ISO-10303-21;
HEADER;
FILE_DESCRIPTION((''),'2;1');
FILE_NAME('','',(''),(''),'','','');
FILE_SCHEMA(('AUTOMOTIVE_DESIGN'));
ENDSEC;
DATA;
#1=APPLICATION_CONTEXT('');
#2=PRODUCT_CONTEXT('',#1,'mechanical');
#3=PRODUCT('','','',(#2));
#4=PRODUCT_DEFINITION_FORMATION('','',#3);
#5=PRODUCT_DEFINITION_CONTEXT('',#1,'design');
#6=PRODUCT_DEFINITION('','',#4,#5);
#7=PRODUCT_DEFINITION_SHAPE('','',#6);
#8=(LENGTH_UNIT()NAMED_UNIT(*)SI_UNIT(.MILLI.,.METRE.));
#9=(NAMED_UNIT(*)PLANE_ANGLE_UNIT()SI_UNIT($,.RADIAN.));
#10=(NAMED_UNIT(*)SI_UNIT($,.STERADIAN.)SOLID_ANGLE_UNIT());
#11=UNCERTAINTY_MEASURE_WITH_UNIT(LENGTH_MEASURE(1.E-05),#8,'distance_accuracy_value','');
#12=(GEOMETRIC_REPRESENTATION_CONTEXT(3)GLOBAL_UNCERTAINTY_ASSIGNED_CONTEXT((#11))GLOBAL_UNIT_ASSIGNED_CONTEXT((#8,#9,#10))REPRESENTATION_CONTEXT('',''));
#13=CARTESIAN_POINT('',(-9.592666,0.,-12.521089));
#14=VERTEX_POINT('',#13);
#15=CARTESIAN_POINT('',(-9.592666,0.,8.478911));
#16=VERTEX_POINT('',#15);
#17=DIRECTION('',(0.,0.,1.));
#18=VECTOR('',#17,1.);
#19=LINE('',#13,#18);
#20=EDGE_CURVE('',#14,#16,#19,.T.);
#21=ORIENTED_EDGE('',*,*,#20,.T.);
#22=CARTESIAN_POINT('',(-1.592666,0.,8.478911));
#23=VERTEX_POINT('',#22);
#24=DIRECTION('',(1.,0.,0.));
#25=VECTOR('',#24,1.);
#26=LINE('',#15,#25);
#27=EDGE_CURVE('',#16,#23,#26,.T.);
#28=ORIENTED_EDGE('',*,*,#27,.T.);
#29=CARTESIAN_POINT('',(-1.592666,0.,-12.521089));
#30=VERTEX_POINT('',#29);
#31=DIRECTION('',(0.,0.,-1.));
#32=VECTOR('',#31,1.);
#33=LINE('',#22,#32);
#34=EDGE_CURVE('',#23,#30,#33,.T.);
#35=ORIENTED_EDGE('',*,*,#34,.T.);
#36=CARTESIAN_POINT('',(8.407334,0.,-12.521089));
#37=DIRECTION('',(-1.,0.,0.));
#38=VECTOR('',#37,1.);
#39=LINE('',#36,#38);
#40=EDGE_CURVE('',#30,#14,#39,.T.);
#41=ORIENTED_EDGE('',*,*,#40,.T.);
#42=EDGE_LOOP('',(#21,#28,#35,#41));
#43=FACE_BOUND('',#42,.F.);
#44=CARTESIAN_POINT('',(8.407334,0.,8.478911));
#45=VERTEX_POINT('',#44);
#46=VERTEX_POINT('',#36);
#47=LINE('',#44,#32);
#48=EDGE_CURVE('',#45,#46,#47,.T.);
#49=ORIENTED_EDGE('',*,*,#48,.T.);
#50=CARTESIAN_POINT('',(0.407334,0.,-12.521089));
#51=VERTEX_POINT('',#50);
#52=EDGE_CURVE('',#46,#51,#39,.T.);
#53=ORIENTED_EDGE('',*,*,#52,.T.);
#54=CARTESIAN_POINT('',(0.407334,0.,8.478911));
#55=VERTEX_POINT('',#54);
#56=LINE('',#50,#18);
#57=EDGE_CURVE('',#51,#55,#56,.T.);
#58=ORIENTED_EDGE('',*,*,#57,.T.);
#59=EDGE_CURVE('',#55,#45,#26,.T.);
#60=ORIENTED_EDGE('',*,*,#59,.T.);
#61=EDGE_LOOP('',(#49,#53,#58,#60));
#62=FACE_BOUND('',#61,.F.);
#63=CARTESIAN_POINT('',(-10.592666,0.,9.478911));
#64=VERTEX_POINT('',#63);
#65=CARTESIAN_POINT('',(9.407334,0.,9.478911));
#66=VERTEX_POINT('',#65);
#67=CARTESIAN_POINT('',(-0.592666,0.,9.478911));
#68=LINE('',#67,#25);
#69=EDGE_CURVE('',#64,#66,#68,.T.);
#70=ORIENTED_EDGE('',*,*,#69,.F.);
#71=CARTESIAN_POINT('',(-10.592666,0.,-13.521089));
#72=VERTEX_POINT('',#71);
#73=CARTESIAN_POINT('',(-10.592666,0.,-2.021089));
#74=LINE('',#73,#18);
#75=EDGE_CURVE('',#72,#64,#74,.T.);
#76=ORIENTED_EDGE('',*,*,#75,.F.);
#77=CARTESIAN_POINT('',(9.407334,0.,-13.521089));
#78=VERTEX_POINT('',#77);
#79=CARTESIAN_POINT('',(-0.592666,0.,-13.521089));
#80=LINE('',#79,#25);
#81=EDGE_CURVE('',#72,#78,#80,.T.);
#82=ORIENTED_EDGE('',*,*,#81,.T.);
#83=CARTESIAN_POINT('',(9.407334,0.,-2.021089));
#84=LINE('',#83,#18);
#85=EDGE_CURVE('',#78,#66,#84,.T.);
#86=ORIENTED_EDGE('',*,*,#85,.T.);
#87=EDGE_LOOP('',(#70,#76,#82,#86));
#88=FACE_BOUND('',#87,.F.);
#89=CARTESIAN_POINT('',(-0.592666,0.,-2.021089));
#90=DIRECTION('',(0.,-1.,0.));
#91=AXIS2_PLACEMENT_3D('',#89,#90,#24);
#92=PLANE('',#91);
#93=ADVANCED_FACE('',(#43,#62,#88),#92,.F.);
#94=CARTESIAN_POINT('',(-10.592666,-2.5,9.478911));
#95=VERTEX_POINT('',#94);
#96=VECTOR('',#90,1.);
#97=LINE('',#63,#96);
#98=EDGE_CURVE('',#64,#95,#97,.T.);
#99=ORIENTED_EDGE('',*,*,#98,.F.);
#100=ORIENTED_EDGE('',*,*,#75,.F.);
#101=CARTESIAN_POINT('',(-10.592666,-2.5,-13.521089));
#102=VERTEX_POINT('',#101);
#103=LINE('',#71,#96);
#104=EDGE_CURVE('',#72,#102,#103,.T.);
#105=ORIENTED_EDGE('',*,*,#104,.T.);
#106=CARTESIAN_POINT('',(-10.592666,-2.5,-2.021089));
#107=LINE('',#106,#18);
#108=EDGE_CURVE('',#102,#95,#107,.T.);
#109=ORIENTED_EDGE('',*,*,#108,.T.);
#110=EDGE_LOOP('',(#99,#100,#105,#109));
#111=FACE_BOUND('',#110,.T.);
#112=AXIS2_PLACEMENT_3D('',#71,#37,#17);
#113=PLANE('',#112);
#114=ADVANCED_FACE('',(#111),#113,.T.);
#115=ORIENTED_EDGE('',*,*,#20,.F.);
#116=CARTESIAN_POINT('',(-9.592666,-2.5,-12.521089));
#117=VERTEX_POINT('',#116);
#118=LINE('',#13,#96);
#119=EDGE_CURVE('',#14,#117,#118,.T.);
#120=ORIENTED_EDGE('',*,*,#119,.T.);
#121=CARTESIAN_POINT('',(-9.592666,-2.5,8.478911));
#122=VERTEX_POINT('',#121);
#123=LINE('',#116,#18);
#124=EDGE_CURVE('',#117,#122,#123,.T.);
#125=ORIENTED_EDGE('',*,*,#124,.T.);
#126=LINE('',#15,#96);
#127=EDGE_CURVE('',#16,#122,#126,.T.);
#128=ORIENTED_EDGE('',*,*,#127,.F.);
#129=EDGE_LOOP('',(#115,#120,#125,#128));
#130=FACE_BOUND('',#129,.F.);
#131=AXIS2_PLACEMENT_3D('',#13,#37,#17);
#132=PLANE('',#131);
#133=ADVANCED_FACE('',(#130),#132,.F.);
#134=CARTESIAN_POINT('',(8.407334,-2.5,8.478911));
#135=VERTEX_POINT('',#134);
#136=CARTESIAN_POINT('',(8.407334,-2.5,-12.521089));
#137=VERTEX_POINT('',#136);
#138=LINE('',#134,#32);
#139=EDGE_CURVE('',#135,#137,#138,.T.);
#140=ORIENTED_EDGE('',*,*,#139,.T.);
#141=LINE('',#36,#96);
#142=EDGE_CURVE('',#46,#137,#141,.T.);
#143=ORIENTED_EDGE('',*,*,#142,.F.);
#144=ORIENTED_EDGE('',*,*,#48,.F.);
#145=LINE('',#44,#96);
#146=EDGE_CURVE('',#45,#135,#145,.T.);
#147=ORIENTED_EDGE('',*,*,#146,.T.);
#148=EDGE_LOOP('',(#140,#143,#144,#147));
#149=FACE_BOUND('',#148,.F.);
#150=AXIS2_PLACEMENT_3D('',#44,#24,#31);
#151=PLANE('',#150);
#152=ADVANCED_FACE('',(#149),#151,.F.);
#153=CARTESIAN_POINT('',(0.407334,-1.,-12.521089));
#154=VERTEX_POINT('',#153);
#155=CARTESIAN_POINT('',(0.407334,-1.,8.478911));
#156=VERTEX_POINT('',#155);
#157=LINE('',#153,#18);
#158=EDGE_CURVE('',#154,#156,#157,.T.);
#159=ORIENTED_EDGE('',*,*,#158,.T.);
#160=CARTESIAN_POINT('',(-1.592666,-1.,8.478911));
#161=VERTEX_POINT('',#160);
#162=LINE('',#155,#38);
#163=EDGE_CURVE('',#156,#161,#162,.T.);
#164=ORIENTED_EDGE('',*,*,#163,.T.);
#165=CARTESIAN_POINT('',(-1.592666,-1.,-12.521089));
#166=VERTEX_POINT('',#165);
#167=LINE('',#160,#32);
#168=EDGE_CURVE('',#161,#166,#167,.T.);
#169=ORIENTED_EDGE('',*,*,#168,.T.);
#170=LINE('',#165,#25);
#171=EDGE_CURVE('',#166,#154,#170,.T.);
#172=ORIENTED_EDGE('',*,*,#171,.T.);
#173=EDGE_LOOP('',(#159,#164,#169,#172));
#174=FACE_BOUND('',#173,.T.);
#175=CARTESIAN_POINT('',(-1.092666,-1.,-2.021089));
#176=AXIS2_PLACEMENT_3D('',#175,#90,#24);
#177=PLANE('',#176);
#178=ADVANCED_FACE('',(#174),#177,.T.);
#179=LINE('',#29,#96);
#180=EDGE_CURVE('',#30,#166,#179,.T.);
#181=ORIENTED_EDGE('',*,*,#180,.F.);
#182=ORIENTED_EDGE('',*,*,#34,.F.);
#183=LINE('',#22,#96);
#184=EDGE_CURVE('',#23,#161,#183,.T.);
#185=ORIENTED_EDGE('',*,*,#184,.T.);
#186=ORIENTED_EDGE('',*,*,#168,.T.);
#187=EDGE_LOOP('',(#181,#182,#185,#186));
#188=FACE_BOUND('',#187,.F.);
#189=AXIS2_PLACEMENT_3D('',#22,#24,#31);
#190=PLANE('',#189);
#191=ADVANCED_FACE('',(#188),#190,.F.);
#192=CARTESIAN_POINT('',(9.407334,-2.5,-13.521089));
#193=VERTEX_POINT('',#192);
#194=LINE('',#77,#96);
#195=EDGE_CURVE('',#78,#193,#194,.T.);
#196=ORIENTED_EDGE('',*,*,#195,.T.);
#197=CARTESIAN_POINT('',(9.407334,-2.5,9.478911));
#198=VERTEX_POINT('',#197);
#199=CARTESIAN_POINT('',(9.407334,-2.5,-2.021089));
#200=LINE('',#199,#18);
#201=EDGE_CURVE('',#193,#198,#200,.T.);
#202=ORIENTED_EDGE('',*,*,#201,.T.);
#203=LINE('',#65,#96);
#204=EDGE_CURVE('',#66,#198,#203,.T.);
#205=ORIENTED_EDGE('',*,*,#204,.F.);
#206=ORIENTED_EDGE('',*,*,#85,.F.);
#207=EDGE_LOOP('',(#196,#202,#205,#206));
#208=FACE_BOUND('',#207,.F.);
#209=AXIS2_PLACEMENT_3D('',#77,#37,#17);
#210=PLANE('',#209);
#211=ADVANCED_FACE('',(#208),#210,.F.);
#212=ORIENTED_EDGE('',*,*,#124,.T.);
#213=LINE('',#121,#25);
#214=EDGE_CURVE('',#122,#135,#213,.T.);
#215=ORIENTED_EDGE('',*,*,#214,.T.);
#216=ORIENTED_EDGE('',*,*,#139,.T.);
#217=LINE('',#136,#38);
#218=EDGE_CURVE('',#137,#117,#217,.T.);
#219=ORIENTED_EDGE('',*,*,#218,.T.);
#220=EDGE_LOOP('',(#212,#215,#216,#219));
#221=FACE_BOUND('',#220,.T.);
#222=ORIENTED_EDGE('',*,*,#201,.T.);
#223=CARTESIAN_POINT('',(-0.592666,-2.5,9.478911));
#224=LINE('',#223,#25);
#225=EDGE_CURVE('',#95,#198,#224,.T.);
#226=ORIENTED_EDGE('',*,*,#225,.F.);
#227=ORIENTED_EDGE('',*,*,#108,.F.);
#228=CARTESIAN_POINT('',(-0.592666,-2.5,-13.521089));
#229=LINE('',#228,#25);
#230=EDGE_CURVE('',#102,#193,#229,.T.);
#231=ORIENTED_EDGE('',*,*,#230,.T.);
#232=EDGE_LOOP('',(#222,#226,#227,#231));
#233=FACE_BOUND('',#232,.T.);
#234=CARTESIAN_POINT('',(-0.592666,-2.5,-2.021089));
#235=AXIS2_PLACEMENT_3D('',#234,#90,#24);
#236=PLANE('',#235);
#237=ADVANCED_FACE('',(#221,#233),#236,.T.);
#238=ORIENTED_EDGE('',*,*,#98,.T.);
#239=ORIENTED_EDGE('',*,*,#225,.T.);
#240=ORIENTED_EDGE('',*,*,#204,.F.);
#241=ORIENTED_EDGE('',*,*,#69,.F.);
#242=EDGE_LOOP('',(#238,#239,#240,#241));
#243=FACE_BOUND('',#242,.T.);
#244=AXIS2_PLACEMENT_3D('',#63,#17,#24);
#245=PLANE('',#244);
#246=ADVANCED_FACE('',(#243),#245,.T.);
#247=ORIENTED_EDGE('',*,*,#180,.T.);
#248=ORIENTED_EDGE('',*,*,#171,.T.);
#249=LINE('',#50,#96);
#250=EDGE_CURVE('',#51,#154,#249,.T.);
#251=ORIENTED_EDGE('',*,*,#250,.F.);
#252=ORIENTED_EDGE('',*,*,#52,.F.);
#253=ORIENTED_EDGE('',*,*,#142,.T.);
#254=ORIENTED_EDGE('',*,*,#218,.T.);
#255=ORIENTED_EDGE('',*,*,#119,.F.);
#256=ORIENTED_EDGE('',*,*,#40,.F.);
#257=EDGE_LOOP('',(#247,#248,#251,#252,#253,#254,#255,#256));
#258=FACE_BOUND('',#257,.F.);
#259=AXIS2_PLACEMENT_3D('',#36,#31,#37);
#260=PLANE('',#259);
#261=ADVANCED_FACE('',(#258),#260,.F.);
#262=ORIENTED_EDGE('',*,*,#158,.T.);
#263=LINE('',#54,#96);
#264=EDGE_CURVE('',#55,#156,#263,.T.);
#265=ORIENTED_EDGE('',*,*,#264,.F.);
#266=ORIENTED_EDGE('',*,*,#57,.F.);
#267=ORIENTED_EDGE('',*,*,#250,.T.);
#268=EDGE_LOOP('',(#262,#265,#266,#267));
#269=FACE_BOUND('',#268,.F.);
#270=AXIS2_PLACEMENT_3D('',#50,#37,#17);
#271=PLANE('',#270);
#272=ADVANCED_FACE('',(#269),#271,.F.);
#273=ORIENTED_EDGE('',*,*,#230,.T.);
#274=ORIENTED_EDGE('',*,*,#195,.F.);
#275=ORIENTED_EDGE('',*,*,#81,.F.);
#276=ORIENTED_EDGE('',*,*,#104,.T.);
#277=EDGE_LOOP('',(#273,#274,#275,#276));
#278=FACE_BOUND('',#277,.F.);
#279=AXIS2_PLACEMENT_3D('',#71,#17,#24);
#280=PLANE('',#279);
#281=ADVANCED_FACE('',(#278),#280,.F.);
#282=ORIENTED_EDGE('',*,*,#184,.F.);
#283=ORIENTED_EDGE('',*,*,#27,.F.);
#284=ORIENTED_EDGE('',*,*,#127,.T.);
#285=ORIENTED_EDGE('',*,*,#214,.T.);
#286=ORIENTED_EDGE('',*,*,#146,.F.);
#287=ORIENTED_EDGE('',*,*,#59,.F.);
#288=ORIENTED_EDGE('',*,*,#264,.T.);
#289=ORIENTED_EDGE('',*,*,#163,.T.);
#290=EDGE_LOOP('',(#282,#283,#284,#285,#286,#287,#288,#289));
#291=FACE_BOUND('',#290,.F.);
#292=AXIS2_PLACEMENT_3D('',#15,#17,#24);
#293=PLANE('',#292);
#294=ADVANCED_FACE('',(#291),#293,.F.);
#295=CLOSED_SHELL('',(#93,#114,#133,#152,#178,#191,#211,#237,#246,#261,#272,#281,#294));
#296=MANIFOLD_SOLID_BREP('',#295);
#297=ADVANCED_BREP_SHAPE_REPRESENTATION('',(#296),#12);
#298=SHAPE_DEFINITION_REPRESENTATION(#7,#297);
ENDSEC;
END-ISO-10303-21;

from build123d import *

# Parameters (mm, degrees)
F0_W     = 20
F0_H     = 23
F1_DEPTH = 2.5
F0_W_2   = 1
F0_H_2   = 7
F0_H_3   = 6
F0_H_4   = 1
F2_DEPTH = 1


with BuildPart() as f1:
    # F0 (on Front) → F1 (new body)
    with BuildSketch(Plane.XZ):
        with Locations((-0.5926657468, -2.021088949)):
            Rectangle(F0_W, F0_H)
        Polygon((-9.5926657468, 2.478911051), (-9.5926657468, 8.478911051), (-1.5926657468, 8.478911051), (-0.5926657468, 8.478911051), (0.4073342532, 8.478911051), (8.4073342532, 8.478911051), (8.4073342532, 2.478911051), (8.4073342532, 1.478911051), (8.4073342532, -5.521088949), (8.4073342532, -6.521088949), (8.4073342532, -12.521088949), (0.4073342532, -12.521088949), (-0.5926657468, -12.521088949), (-1.5926657468, -12.521088949), (-9.5926657468, -12.521088949), (-9.5926657468, -6.521088949), (-9.5926657468, -5.521088949), (-9.5926657468, 1.478911051), align=None, mode=Mode.SUBTRACT)
    extrude(amount=F1_DEPTH)

    # F0 (on Front) → F2 (join)
    with BuildSketch(Plane.XZ):
        with Locations((-1.0926657468, -2.021088949)):
            Rectangle(F0_W_2, F0_H_2)
        with Locations((-1.0926657468, -9.521088949)):
            Rectangle(F0_W_2, F0_H_3)
        with Locations((-0.0926657468, -9.521088949)):
            Rectangle(F0_W_2, F0_H_3)
        with Locations((-1.0926657468, 5.478911051)):
            Rectangle(F0_W_2, F0_H_3)
        with Locations((-0.0926657468, 5.478911051)):
            Rectangle(F0_W_2, F0_H_3)
        with Locations((-1.0926657468, 1.978911051)):
            Rectangle(F0_W_2, F0_H_4)
        with Locations((-0.0926657468, 1.978911051)):
            Rectangle(F0_W_2, F0_H_4)
        with Locations((-0.0926657468, -2.021088949)):
            Rectangle(F0_W_2, F0_H_2)
        with Locations((-0.0926657468, -6.021088949)):
            Rectangle(F0_W_2, F0_H_4)
        with Locations((-1.0926657468, -6.021088949)):
            Rectangle(F0_W_2, F0_H_4)
    extrude(amount=F2_DEPTH)


solid = f1.part
